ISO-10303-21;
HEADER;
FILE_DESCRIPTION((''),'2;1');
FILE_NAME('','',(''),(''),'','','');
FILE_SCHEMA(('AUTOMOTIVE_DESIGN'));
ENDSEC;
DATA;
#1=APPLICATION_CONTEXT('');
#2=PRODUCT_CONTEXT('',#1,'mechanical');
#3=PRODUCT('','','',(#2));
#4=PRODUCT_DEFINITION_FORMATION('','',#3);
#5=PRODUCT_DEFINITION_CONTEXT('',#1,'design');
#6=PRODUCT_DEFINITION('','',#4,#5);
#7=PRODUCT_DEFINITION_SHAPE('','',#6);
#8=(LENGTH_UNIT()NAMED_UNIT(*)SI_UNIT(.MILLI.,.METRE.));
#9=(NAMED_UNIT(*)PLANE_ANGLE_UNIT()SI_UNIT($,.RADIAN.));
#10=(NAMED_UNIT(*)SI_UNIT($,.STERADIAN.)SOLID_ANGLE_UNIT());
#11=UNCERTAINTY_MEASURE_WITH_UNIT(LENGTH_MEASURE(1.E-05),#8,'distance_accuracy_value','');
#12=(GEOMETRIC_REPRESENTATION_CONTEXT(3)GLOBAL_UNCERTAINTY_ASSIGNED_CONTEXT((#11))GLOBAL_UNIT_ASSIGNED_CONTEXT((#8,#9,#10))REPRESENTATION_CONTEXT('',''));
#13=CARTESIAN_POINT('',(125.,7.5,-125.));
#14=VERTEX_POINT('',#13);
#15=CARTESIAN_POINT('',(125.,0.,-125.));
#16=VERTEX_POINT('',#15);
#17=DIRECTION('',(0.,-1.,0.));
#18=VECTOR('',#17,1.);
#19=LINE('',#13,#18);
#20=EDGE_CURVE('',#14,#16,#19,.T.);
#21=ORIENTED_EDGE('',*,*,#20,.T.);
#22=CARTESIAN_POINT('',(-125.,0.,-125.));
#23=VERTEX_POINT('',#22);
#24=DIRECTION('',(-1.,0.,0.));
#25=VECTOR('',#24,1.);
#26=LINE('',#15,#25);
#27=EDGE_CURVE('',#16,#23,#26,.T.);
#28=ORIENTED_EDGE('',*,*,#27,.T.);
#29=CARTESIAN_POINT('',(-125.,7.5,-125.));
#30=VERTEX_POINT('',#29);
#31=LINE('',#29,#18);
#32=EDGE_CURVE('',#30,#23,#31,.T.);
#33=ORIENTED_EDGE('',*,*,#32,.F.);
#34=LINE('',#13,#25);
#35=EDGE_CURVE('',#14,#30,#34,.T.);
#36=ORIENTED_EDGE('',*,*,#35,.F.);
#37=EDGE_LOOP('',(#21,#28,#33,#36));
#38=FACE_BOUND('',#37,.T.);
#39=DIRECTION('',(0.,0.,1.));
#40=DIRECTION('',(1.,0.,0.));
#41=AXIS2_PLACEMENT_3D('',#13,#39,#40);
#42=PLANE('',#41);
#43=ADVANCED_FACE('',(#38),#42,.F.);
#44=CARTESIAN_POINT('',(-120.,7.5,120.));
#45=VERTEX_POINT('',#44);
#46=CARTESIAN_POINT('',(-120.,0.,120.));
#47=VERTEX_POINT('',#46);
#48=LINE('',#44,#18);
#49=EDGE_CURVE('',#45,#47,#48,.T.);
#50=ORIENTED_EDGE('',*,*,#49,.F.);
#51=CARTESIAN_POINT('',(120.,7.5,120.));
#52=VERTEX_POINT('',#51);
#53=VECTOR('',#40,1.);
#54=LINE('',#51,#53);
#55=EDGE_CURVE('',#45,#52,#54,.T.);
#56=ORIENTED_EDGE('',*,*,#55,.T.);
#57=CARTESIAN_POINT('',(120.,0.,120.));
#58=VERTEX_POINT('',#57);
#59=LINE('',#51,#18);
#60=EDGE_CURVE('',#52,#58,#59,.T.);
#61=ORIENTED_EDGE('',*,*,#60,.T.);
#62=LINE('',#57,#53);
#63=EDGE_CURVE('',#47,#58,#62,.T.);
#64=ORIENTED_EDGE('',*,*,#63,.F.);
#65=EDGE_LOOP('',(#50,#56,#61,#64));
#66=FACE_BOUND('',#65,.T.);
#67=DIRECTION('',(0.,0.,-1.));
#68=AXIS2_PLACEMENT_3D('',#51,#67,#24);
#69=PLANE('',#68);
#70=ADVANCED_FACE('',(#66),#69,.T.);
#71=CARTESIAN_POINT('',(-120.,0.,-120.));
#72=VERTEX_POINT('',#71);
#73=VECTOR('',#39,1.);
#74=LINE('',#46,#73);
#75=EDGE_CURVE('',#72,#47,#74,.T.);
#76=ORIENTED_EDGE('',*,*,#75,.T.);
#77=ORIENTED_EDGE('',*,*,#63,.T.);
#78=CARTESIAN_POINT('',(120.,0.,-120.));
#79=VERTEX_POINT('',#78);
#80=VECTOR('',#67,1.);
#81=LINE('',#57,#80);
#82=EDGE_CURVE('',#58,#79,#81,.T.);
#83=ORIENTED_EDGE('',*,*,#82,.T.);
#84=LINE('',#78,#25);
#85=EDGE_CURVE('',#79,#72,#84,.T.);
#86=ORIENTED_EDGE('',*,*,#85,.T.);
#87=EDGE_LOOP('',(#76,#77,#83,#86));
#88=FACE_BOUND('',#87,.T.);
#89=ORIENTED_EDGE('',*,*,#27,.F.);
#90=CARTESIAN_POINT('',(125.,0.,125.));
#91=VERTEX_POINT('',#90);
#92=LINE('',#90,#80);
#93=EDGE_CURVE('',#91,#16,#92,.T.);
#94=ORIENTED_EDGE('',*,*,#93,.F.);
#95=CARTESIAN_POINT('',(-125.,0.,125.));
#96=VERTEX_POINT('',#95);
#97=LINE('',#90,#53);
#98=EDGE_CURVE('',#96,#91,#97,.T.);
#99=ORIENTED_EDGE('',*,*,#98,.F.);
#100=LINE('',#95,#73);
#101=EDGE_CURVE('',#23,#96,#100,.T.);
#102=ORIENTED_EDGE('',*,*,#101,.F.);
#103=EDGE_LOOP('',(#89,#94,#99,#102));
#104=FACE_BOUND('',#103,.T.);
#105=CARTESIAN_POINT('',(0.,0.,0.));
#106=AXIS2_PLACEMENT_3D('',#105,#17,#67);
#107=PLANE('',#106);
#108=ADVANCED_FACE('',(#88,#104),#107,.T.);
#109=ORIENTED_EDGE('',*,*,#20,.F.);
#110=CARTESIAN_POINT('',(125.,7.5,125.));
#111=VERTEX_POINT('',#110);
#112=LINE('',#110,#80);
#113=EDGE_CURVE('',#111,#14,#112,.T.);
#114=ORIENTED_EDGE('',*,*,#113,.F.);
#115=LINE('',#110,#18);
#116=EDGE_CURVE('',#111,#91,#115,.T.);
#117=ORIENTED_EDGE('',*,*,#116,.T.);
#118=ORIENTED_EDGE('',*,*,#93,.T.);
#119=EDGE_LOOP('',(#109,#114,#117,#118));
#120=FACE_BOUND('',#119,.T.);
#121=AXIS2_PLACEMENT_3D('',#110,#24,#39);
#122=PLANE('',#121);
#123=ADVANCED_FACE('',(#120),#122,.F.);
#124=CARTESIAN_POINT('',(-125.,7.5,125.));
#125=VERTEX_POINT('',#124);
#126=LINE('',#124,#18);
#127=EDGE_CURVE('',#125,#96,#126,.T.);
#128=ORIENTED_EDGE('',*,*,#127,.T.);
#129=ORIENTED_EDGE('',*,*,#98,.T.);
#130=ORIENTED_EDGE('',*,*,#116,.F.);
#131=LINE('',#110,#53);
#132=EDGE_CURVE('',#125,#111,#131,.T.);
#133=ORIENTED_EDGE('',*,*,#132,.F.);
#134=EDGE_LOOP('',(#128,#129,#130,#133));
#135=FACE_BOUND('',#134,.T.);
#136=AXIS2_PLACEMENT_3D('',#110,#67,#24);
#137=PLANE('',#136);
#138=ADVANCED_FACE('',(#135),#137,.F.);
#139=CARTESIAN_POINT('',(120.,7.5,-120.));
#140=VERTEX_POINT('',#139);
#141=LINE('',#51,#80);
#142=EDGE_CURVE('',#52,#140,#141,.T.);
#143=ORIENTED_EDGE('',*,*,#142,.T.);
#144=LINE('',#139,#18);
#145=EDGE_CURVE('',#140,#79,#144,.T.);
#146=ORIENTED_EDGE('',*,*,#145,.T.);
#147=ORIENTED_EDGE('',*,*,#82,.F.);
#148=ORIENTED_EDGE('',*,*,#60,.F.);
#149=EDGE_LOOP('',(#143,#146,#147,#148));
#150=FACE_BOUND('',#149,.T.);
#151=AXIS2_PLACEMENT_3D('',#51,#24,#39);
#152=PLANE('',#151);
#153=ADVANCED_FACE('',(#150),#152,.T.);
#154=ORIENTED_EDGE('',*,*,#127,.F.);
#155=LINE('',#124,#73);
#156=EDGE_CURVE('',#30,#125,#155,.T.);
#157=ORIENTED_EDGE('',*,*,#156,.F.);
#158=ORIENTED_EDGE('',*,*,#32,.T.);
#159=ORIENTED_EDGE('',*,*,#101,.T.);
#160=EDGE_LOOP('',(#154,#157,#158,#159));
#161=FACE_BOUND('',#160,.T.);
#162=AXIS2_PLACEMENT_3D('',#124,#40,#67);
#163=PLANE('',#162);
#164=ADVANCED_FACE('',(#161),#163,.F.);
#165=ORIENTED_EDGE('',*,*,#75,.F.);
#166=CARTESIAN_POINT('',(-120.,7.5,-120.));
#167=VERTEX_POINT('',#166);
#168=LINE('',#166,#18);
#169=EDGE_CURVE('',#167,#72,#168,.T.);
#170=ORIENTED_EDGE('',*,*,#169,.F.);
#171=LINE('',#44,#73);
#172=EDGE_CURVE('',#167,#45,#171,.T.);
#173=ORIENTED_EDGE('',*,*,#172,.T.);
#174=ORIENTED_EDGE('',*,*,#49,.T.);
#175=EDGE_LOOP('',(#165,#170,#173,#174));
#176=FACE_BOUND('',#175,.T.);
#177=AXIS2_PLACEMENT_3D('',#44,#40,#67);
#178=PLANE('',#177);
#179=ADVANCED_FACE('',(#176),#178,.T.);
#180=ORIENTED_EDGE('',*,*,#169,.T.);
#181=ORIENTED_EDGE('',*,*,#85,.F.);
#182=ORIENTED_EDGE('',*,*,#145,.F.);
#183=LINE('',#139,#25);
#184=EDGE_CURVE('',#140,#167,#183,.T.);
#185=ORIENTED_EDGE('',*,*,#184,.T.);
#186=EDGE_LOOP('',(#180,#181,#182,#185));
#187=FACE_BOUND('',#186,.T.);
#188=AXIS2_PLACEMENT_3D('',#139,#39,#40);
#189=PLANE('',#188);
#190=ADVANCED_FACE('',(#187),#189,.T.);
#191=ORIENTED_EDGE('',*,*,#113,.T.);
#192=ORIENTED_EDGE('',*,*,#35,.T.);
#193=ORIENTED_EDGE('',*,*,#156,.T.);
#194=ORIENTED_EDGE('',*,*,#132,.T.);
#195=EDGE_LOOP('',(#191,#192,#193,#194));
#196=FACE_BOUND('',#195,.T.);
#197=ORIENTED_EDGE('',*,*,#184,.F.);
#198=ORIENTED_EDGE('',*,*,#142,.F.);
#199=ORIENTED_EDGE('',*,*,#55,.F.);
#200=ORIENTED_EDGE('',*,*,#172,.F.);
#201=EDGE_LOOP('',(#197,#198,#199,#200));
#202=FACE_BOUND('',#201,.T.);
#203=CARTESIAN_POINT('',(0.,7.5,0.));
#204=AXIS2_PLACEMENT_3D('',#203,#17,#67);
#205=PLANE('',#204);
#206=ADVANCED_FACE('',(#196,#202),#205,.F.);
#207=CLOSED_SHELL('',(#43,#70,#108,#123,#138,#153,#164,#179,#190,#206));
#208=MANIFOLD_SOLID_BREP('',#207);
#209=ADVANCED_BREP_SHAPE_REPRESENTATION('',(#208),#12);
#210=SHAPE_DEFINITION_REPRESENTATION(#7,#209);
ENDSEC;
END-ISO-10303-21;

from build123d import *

# Parameters (mm, degrees)
SKETCH1_W           = 250
SKETCH1_H           = 250
SKETCH1_W_2         = 240
SKETCH1_H_2         = 240
BOSS_EXTRUDE1_DEPTH = 7.5


with BuildPart() as part:
    # Sketch1 → Boss-Extrude1 (new body)
    with BuildSketch(Plane(origin=(0, 0, 0), x_dir=(1, 0, 0), z_dir=(0, 1, 0))):
        Rectangle(SKETCH1_W, SKETCH1_H)
        Rectangle(SKETCH1_W_2, SKETCH1_H_2, mode=Mode.SUBTRACT)
    extrude(amount=BOSS_EXTRUDE1_DEPTH)


solid = part.part
